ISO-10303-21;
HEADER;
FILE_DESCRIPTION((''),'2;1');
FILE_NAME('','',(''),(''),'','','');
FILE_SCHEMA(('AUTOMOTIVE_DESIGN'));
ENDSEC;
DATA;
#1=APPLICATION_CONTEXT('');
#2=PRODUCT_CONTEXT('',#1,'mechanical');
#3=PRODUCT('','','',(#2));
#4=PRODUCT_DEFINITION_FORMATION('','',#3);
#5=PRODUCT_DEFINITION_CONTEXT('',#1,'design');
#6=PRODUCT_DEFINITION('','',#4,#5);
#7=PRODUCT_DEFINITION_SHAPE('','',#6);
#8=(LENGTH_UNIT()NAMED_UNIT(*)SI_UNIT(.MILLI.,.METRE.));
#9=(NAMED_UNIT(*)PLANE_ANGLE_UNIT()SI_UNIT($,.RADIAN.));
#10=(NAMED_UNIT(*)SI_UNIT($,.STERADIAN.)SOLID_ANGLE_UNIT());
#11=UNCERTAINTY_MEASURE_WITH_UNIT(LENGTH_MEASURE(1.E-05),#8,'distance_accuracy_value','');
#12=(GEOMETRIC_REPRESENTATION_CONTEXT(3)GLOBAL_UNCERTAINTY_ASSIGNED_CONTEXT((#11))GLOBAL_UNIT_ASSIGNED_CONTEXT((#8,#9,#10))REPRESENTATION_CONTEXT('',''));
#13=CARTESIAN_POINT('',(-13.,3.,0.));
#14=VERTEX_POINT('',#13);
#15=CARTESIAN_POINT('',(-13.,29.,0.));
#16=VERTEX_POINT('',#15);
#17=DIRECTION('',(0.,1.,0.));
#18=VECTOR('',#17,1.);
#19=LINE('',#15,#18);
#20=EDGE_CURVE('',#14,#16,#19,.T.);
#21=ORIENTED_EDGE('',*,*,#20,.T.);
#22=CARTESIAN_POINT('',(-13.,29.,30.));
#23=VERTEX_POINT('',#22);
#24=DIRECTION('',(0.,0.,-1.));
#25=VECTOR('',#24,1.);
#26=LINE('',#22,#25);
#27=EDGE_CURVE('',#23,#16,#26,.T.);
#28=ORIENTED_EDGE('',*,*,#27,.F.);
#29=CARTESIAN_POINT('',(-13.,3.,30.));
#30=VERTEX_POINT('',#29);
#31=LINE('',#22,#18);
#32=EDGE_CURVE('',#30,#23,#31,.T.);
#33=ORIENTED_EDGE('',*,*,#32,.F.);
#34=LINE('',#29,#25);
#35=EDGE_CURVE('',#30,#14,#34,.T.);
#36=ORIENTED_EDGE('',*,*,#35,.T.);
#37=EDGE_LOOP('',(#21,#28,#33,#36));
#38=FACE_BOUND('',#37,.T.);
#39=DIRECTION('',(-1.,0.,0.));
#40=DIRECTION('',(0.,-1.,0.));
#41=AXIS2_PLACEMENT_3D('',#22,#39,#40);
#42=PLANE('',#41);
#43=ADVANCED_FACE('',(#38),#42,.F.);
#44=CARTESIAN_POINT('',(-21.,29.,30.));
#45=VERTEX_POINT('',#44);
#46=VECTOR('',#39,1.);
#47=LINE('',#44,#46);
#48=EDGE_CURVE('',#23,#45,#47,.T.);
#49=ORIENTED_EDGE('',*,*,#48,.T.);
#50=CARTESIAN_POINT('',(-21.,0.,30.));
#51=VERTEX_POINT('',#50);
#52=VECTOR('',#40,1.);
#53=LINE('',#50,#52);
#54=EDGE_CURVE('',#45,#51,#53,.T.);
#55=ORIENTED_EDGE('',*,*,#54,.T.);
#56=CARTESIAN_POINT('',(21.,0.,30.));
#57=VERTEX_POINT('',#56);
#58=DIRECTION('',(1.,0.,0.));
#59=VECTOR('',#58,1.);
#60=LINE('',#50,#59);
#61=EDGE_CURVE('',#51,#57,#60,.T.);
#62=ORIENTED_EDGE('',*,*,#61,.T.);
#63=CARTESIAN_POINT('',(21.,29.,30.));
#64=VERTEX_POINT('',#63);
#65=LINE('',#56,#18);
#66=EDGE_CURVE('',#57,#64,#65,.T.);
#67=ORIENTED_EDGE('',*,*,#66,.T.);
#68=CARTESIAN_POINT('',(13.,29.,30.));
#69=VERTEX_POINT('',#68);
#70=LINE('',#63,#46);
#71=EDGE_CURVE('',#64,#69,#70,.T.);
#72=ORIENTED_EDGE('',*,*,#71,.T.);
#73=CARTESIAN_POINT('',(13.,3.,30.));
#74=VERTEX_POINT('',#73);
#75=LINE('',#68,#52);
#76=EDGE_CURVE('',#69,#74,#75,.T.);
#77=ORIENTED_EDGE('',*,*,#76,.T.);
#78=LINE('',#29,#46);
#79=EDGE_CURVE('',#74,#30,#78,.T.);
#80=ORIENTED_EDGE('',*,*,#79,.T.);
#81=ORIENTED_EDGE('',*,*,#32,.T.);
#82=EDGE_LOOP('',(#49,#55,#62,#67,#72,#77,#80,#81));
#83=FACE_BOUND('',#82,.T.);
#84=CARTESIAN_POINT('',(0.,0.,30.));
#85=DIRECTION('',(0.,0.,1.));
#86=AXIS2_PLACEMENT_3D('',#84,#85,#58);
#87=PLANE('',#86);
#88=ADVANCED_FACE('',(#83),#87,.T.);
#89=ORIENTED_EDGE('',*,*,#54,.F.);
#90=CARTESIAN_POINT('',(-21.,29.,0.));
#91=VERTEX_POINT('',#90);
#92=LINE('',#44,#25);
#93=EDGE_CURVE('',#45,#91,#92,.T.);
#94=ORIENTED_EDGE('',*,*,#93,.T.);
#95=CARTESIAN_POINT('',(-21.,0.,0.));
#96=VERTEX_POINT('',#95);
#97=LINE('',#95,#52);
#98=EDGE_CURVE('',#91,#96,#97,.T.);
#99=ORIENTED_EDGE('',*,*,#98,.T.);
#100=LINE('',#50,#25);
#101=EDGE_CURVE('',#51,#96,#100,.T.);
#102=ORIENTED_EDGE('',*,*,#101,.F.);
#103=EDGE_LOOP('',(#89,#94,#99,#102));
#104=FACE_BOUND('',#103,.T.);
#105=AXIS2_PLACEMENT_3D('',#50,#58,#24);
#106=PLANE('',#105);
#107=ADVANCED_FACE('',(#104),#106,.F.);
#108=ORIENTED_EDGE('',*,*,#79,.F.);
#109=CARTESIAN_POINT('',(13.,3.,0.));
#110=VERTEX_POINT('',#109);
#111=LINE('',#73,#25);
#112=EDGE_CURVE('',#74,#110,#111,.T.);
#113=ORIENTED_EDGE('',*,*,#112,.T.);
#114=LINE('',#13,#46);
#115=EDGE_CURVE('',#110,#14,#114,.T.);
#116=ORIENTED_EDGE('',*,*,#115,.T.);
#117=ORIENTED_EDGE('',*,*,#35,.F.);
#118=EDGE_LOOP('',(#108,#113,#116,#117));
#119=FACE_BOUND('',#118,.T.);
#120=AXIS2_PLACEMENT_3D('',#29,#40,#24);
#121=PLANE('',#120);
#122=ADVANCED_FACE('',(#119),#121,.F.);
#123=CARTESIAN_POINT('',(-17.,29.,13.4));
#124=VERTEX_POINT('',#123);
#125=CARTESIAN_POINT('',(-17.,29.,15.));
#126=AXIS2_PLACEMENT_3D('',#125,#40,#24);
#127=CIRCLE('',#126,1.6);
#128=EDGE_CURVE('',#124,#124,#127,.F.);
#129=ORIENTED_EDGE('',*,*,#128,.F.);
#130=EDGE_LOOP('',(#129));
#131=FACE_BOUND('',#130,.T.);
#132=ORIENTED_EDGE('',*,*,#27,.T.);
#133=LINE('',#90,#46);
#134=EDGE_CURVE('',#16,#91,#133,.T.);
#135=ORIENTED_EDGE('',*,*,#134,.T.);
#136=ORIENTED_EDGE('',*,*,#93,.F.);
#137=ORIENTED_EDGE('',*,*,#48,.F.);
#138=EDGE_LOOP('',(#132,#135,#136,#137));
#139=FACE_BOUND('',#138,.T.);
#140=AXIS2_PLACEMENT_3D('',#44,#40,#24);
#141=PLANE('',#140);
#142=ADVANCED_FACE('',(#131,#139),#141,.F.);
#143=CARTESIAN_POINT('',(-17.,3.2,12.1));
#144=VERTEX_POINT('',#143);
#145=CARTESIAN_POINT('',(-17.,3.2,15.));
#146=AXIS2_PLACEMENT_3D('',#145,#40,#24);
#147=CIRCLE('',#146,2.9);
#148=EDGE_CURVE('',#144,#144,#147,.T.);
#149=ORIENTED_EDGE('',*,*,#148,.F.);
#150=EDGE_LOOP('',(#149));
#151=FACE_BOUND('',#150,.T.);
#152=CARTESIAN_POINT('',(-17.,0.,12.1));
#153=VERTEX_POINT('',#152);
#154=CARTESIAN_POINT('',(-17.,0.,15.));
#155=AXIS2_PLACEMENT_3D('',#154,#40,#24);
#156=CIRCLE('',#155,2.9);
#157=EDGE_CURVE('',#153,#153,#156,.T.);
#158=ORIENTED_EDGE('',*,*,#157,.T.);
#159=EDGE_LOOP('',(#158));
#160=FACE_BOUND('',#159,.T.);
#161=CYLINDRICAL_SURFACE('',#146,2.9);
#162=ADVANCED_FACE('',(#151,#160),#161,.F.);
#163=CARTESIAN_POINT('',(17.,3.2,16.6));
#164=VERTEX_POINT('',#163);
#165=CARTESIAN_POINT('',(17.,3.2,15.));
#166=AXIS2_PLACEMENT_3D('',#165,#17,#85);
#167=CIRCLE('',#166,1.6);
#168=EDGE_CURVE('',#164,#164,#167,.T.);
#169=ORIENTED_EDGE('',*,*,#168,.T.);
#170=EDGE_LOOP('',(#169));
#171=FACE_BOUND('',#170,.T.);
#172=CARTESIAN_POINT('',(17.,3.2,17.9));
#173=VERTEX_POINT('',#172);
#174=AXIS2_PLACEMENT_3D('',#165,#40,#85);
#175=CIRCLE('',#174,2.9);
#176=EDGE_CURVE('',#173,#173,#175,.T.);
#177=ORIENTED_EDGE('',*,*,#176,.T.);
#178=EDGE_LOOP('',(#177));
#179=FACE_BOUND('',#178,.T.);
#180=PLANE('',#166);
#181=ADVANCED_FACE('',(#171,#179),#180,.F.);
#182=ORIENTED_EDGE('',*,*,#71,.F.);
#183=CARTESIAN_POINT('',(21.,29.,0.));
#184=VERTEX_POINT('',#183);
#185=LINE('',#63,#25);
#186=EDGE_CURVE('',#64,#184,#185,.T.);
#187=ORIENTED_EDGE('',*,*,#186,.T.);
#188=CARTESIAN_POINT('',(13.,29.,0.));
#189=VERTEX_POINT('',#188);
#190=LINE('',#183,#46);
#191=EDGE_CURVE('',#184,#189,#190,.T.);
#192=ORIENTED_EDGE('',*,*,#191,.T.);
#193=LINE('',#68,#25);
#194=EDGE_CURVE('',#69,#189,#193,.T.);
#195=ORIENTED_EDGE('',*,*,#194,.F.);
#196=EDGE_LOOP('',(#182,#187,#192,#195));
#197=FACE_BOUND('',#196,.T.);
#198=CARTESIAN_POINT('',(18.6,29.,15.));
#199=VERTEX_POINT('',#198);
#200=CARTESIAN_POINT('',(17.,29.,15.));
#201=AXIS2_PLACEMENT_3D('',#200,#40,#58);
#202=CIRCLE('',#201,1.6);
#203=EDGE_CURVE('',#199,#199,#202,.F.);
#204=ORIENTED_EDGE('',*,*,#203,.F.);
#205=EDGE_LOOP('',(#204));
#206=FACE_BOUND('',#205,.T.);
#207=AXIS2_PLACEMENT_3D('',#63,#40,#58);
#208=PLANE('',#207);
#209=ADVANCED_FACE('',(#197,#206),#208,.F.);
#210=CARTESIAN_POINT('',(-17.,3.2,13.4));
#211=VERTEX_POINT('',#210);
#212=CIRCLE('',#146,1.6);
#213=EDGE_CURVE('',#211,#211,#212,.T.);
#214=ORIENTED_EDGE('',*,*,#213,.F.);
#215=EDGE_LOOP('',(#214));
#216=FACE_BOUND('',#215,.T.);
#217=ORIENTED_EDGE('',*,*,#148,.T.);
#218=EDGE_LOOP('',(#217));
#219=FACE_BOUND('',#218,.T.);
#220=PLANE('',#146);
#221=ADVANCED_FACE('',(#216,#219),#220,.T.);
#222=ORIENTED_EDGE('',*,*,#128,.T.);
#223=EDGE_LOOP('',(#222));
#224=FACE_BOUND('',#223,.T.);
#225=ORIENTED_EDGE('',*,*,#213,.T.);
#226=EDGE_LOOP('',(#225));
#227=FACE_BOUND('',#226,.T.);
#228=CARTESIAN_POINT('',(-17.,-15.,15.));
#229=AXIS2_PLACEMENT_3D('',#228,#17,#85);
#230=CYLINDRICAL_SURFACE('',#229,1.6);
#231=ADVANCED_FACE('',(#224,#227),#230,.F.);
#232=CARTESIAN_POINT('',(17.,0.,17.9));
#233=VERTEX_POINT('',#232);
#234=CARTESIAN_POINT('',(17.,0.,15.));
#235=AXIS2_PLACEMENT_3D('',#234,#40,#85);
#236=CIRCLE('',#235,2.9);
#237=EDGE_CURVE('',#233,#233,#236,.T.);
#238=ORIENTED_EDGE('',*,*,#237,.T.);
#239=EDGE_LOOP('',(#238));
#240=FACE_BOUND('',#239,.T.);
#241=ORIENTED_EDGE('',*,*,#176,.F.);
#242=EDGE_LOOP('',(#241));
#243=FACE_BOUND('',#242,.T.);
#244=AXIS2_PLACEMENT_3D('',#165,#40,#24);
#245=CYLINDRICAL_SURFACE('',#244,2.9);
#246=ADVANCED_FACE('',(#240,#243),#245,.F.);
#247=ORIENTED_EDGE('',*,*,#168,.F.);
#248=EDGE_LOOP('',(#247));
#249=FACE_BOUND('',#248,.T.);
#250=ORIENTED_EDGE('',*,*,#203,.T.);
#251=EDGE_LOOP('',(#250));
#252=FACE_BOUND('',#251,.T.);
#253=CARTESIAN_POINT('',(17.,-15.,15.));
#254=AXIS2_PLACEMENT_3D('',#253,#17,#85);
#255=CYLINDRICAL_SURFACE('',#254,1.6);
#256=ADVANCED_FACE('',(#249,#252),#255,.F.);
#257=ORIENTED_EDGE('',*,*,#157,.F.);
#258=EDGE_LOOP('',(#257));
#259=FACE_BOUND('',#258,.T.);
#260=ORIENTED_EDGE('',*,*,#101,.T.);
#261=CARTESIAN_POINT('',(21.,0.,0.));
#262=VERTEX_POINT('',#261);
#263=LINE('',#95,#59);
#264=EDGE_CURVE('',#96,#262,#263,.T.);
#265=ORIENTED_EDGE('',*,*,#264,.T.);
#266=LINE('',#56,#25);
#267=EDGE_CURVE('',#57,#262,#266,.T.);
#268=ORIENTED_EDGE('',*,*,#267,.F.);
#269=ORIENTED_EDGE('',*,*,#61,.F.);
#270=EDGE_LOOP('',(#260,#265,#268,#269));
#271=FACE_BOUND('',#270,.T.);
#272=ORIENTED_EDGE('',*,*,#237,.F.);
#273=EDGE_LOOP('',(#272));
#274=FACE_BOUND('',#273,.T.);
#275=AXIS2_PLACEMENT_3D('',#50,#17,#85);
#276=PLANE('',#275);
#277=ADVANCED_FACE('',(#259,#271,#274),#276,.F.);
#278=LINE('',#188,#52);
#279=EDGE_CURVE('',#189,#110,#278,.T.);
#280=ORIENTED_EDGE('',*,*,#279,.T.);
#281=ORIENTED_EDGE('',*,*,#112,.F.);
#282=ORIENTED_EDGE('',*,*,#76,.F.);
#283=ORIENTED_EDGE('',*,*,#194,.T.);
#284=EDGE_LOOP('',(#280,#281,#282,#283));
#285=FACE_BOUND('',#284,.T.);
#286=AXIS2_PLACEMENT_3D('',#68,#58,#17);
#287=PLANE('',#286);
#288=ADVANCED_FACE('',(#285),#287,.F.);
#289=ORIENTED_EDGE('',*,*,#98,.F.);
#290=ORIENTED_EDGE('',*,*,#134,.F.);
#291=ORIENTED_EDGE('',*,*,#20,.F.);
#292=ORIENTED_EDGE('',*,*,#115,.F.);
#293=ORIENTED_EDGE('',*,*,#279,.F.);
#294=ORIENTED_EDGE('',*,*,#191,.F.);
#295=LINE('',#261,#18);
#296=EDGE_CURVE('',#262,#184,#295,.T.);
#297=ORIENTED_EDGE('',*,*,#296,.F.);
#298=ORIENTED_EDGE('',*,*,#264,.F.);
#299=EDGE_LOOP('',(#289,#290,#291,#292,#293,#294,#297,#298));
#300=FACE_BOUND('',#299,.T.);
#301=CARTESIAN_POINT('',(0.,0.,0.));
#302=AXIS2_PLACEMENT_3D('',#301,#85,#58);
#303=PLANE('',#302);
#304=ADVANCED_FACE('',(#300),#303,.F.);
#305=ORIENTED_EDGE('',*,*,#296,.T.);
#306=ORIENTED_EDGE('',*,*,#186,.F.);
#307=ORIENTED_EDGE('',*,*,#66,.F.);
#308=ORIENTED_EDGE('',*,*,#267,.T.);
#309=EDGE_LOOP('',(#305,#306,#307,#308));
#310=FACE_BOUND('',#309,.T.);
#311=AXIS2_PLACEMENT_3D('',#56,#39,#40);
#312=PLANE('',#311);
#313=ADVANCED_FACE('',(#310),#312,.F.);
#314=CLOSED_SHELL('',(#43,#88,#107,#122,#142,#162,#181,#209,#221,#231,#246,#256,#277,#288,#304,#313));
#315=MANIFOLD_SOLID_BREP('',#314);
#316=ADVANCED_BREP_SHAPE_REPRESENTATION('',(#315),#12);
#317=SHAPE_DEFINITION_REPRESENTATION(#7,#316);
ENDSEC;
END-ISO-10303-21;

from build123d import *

# Parameters (mm, degrees)
SALIENTE_EXTRUIR1_DEPTH    = 30
CORTAR_EXTRUIR1_DEPTH      = 15
CORTAR_EXTRUIR1_DEPTH_BACK = 41
CROQUIS2_R                 = 1.6
CROQUIS3_R                 = 2.9
CORTAR_EXTRUIR2_DEPTH      = 3.2


with BuildPart() as part:
    # Croquis1 → Saliente-Extruir1 (new body)
    with BuildSketch(Plane.XY):
        Polygon((-21, 0), (-21, 29), (-13, 29), (-13, 3), (13, 3), (13, 29), (21, 29), (21, 0), align=None)
    extrude(amount=SALIENTE_EXTRUIR1_DEPTH)

    # Croquis2 → Cortar-Extruir1 (cut, two sides: drawn at the far end of the back side and taken through both)
    with BuildSketch(Plane.XZ.offset(-CORTAR_EXTRUIR1_DEPTH_BACK)):
        with Locations(Location((-17, 15, 0), (0, 0, 90))):
            Circle(CROQUIS2_R)
        with Locations(Location((17, 15, 0), (0, 0, 90))):
            Circle(CROQUIS2_R)
    extrude(amount=CORTAR_EXTRUIR1_DEPTH + CORTAR_EXTRUIR1_DEPTH_BACK, mode=Mode.SUBTRACT)

    # Croquis3 → Cortar-Extruir2 (cut)
    with BuildSketch(Plane.XZ):
        with Locations(Location((-17, 15, 0), (0, 0, 270))):
            Circle(CROQUIS3_R)
        with Locations(Location((17, 15, 0), (0, 0, 90))):
            Circle(CROQUIS3_R)
    extrude(amount=-CORTAR_EXTRUIR2_DEPTH, mode=Mode.SUBTRACT)


solid = part.part
